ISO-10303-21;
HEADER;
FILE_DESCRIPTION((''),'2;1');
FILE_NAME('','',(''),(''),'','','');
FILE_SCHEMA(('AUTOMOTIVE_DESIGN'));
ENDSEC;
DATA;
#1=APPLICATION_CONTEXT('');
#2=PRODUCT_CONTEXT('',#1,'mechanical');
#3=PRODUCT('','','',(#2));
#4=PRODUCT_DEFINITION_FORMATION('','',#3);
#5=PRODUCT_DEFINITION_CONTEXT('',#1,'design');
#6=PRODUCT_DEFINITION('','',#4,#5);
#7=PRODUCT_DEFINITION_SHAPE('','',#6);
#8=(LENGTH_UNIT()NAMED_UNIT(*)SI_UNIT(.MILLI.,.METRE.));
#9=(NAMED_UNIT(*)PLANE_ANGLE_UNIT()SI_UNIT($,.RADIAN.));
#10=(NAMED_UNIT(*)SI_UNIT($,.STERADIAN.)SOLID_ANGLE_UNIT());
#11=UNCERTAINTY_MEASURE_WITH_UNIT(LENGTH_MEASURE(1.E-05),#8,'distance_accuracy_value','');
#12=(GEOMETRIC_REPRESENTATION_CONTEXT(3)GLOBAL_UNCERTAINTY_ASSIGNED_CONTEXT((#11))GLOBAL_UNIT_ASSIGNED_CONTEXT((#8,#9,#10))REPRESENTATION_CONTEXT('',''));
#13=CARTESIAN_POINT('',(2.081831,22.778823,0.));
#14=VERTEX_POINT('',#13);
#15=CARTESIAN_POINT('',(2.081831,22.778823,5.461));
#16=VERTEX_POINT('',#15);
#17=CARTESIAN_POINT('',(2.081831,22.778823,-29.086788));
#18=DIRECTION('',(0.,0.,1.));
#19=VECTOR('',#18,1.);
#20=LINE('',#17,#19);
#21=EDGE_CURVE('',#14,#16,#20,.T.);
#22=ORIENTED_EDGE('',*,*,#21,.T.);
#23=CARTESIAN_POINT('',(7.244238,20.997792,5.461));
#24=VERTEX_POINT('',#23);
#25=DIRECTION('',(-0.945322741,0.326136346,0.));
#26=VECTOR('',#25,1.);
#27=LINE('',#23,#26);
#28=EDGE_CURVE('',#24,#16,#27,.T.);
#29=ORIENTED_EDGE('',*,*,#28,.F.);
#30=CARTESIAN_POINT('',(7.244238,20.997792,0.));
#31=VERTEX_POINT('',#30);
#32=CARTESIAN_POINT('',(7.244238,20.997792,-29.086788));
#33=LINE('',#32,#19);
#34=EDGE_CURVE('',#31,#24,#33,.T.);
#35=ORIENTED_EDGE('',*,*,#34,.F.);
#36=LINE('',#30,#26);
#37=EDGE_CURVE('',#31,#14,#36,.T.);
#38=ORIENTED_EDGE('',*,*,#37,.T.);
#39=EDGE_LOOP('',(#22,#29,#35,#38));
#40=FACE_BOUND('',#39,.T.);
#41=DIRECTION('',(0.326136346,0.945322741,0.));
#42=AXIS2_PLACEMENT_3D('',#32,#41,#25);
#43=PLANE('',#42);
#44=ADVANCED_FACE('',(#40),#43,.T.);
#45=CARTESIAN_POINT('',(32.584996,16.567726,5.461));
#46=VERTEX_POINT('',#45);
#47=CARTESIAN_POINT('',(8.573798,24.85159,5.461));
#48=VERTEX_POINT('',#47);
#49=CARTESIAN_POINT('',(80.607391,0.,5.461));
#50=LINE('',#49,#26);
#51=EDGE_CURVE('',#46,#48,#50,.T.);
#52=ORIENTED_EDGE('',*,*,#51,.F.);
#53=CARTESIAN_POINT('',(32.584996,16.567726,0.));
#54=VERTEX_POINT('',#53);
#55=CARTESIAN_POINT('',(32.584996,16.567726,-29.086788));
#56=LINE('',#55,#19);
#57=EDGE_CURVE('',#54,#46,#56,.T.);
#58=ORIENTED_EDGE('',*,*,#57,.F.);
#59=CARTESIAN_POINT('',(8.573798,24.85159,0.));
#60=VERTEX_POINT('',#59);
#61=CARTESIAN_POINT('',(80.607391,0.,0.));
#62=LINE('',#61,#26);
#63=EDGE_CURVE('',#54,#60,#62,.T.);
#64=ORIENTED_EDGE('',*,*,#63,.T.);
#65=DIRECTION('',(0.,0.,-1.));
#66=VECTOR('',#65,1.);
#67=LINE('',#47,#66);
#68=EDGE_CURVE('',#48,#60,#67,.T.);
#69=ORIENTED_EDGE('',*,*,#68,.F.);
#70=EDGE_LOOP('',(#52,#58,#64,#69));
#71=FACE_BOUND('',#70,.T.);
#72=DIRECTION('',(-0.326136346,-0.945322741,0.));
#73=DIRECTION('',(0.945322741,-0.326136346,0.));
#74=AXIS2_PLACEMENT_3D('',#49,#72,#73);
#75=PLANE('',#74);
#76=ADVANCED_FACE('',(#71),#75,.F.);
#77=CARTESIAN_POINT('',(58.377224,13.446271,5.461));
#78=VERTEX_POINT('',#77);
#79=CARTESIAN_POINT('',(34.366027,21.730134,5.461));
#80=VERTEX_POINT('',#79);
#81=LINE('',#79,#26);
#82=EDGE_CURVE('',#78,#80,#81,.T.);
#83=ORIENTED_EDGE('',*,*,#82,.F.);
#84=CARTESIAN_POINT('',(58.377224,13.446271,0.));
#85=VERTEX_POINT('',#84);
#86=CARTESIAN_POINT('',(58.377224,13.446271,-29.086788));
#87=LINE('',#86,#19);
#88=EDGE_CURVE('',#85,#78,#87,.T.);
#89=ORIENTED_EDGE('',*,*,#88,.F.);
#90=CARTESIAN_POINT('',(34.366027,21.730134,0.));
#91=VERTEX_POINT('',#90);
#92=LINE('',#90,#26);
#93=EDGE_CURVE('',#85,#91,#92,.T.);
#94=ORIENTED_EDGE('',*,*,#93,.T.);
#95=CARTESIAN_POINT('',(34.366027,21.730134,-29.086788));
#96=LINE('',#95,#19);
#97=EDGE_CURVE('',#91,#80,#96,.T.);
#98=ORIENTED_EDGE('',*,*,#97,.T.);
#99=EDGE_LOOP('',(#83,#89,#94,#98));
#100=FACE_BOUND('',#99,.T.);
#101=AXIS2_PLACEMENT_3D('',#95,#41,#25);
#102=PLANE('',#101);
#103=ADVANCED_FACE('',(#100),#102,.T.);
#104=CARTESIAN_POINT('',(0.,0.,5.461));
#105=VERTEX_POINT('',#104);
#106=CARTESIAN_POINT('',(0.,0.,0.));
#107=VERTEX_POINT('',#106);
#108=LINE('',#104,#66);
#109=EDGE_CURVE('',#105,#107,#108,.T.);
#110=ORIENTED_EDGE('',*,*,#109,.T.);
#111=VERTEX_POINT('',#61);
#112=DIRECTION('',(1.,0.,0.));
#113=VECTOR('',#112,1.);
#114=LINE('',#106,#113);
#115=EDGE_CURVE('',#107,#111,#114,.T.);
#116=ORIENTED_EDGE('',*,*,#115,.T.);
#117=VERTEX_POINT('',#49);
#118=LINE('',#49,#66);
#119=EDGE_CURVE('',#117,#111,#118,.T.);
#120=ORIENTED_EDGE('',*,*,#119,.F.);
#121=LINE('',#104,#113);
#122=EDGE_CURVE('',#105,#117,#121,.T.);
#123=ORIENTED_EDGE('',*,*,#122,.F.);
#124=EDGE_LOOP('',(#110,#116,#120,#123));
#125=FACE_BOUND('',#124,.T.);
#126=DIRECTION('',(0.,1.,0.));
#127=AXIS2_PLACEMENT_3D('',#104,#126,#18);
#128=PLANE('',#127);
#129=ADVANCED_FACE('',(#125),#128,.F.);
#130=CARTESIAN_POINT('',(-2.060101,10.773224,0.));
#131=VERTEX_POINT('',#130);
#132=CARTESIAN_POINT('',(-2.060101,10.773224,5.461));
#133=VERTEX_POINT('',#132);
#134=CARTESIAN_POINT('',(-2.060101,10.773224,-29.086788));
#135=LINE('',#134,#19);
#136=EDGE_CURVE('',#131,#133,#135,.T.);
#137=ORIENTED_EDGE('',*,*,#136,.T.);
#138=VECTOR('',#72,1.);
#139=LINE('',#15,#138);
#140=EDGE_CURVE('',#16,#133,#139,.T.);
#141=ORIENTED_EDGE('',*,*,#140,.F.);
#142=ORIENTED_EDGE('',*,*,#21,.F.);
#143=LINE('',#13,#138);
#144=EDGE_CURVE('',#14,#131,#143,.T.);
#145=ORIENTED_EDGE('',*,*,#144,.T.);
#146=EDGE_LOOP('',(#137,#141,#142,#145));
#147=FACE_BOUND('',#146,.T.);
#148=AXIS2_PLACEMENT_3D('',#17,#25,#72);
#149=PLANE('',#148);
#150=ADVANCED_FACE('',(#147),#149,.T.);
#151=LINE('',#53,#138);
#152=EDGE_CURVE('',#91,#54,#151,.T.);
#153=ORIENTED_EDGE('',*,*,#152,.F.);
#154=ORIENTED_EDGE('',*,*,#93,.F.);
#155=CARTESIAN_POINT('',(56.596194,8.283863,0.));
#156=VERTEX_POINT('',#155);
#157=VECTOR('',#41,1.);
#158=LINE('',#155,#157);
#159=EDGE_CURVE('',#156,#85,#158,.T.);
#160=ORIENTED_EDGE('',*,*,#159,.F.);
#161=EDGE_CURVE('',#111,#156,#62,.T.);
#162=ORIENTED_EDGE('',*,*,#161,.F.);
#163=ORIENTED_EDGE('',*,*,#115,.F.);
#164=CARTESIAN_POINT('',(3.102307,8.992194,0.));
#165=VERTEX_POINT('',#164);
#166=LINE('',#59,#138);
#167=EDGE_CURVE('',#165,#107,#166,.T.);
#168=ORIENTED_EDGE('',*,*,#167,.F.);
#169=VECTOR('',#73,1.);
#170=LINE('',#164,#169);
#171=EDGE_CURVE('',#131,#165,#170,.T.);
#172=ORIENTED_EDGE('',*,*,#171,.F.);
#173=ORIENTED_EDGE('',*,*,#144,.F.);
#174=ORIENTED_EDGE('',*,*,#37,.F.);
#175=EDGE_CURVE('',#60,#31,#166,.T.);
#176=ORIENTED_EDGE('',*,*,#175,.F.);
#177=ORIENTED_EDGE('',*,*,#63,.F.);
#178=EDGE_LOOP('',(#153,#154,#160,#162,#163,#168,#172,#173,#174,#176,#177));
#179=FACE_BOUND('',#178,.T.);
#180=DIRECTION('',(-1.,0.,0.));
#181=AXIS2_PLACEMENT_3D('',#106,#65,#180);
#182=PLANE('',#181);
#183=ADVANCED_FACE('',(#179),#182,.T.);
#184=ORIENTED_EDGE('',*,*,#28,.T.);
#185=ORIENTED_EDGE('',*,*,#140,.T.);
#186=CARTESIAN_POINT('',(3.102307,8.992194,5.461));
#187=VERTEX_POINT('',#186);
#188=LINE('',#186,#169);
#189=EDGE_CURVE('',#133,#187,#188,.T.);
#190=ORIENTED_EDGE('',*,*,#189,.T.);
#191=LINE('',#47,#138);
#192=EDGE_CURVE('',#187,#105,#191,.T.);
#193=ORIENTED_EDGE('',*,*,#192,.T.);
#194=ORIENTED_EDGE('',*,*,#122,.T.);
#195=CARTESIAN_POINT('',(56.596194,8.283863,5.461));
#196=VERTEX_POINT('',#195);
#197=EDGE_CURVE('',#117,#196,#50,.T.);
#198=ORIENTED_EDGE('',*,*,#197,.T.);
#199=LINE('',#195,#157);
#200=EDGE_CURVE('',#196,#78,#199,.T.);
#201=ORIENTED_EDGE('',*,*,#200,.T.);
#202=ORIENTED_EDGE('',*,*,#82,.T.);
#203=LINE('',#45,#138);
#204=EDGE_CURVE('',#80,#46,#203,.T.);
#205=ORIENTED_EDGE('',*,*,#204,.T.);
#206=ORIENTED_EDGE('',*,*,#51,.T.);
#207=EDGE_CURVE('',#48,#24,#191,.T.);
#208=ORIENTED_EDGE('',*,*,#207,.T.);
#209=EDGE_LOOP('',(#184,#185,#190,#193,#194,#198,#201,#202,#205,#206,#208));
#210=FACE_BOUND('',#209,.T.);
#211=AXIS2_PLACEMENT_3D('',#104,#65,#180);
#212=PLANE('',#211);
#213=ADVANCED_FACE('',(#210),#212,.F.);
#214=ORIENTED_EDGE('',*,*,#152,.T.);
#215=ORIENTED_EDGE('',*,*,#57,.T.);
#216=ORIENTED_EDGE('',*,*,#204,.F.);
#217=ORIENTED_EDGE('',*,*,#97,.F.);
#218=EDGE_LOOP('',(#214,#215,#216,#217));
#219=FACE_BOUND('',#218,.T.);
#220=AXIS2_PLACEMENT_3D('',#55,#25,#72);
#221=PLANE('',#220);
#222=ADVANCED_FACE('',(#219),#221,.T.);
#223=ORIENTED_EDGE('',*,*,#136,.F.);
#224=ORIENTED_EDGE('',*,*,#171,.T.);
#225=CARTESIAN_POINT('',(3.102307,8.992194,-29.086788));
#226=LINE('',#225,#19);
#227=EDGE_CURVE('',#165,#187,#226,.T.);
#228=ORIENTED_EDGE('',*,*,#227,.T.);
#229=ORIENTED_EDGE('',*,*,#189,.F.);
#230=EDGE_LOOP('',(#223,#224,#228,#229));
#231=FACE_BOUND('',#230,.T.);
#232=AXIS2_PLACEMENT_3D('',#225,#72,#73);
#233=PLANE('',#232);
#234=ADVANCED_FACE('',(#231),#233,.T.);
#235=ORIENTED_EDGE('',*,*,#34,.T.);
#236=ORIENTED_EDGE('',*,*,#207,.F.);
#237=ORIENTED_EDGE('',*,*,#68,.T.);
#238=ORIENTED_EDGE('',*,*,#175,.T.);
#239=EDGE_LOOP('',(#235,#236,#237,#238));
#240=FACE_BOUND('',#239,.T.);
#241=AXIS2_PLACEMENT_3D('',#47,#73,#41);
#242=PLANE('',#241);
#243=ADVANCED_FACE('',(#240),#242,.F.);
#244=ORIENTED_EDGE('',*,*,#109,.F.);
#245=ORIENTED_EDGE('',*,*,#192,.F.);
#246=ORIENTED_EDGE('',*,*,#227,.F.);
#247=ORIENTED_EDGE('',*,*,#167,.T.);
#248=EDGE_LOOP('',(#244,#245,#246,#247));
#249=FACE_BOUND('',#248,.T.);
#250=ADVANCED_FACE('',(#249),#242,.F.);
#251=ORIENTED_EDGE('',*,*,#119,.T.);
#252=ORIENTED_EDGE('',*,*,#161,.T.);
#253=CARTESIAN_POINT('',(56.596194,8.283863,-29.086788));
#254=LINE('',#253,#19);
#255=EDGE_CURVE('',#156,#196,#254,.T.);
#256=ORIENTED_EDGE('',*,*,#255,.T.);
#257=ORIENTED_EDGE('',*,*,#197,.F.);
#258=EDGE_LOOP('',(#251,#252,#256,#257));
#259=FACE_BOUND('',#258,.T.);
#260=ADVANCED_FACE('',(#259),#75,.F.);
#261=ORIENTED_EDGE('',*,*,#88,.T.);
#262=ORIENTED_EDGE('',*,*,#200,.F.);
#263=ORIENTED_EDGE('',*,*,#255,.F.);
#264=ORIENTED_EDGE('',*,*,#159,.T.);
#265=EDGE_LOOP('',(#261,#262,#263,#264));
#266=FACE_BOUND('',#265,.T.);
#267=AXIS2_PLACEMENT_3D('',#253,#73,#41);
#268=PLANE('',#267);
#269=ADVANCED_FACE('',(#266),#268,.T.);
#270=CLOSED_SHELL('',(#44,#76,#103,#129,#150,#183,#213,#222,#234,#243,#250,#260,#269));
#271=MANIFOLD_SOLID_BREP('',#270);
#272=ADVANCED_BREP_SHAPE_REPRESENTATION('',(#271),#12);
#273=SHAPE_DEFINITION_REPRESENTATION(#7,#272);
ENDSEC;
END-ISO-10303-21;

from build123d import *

# Parameters (mm, degrees)
BOSS_EXTRUDE1_DEPTH = 5.461
BOSS_EXTRUDE2_DEPTH = 5.461


with BuildPart() as part:
    # Sketch1 → Boss-Extrude1 (new body)
    with BuildSketch(Plane.XY):
        Polygon((0, 0), (80.607391231, 0), (8.573798388, 24.851589531), align=None)
    extrude(amount=BOSS_EXTRUDE1_DEPTH)

    # Sketch2 → Boss-Extrude2 (add)
    with BuildSketch(Plane.XY.offset(5.461)):
        Polygon((7.244238348, 20.997792314), (2.081830861, 22.778822897), (-2.060100727, 10.77322409), (3.10230676, 8.992193507), align=None)
        Polygon((32.584996002, 16.567726354), (56.596193616, 8.283863177), (58.377224199, 13.446270664), (34.366026585, 21.730133841), align=None)
    extrude(amount=-BOSS_EXTRUDE2_DEPTH)


solid = part.part
